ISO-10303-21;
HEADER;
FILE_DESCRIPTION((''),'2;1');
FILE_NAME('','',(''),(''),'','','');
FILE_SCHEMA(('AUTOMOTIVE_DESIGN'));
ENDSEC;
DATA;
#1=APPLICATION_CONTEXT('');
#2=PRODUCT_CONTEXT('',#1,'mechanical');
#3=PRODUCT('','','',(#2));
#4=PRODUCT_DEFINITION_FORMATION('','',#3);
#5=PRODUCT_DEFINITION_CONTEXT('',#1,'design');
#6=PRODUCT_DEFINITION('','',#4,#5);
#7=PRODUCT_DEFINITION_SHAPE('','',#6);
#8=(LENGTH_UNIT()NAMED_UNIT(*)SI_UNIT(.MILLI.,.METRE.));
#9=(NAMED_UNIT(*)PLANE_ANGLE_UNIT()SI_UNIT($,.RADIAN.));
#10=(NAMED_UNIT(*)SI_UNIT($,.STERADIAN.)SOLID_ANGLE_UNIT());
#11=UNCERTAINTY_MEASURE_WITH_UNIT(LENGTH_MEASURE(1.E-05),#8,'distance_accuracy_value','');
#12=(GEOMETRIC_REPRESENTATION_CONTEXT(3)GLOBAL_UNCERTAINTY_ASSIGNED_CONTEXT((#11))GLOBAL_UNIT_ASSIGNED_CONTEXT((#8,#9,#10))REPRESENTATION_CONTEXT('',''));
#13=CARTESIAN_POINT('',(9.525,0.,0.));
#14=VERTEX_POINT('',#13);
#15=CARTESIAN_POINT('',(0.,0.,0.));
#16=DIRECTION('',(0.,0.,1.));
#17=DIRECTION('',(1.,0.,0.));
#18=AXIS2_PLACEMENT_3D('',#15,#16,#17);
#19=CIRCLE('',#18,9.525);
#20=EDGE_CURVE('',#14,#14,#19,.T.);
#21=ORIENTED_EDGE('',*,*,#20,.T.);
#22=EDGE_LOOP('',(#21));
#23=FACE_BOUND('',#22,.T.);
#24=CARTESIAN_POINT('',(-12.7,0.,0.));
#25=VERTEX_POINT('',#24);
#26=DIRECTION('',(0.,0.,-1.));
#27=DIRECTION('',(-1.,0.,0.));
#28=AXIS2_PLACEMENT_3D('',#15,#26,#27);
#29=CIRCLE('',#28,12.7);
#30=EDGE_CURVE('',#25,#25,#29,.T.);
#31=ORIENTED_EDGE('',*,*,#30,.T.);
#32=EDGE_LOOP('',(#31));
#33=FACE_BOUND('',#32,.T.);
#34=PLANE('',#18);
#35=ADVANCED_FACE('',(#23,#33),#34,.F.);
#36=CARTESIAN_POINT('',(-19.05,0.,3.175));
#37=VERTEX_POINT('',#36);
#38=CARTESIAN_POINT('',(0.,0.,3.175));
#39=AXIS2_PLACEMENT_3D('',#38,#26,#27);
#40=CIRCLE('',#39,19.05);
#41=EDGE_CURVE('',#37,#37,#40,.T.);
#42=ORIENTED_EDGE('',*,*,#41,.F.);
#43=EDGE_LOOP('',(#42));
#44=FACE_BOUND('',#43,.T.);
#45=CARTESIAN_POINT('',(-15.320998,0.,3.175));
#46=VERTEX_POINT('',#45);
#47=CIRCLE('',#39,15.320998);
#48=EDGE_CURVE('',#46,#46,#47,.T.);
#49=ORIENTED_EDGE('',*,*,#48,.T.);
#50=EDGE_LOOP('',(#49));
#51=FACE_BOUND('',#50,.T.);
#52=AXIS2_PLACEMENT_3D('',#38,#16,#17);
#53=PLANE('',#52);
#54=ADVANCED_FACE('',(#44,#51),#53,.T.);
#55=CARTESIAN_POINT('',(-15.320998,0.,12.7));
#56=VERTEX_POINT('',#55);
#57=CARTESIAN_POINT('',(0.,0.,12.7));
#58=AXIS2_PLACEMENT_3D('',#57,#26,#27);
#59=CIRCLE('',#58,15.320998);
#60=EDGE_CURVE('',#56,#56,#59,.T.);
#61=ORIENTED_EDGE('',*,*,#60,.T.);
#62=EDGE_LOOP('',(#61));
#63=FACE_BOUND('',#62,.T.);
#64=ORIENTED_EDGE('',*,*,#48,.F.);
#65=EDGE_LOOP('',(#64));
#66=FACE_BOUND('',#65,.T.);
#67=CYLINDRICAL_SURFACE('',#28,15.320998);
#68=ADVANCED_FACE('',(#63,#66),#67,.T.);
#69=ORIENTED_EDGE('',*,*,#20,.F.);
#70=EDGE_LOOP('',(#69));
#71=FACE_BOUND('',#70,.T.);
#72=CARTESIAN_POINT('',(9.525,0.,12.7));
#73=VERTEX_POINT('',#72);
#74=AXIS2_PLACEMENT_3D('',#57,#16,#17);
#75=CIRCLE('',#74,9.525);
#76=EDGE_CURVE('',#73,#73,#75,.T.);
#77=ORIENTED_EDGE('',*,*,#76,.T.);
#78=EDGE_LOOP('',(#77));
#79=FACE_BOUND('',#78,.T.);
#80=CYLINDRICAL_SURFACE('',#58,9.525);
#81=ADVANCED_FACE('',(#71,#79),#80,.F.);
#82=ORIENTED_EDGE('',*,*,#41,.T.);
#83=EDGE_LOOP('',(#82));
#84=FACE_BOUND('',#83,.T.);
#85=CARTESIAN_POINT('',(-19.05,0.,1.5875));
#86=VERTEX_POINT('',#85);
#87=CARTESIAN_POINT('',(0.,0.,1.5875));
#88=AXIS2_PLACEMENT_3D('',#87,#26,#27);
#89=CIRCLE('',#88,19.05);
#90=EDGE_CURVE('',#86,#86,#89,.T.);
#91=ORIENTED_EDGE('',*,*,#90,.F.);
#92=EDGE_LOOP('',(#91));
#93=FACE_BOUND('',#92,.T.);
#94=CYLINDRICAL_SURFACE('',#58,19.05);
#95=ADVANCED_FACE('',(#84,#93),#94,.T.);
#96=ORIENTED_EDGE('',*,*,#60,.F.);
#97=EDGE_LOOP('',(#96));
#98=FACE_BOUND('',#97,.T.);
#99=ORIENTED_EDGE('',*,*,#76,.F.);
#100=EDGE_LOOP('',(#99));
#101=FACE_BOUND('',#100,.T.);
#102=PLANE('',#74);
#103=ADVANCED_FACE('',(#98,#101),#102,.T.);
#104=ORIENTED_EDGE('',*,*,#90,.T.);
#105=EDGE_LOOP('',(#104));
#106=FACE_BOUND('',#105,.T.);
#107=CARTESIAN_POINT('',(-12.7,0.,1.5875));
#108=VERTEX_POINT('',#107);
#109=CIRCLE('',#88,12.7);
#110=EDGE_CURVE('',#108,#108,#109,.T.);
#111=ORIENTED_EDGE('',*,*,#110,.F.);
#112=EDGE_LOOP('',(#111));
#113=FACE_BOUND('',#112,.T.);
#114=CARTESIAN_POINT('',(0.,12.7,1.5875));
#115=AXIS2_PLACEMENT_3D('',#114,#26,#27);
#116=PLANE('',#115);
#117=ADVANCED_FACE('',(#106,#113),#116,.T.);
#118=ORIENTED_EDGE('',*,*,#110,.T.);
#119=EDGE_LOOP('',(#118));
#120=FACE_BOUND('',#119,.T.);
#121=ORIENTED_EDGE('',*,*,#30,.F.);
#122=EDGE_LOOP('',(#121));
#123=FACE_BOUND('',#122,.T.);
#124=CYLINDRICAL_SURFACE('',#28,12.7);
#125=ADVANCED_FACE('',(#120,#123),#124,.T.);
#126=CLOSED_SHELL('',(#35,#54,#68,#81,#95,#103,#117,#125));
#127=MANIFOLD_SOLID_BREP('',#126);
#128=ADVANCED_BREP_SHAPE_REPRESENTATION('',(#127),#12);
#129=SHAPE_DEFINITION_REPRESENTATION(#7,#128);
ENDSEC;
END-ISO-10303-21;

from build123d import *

# Parameters (mm, degrees)
SKETCH1_R           = 19.05
SKETCH1_R_2         = 9.525
BOSS_EXTRUDE1_DEPTH = 12.7
SKETCH2_W           = 9.525
SKETCH2_H           = 3.729002221
SKETCH2_W_2         = 1.5875
SKETCH2_H_2         = 6.35


with BuildPart() as part:
    # Sketch1 → Boss-Extrude1 (new body)
    with BuildSketch(Plane.XY):
        Circle(SKETCH1_R)
        Circle(SKETCH1_R_2, mode=Mode.SUBTRACT)
    extrude(amount=BOSS_EXTRUDE1_DEPTH)

    # Sketch2 → Cut-Revolve1 (revolve, cut)
    with BuildSketch(Plane(origin=(0, 0, 0), x_dir=(0, 0, -1), z_dir=(1, 0, 0))):
        with Locations((-7.9375, 17.185498889)):
            Rectangle(SKETCH2_W, SKETCH2_H)
        with Locations((-0.79375, 15.875)):
            Rectangle(SKETCH2_W_2, SKETCH2_H_2)
    revolve(axis=Axis((0, 0, 0), (0, 0, 1)), mode=Mode.SUBTRACT)


solid = part.part
